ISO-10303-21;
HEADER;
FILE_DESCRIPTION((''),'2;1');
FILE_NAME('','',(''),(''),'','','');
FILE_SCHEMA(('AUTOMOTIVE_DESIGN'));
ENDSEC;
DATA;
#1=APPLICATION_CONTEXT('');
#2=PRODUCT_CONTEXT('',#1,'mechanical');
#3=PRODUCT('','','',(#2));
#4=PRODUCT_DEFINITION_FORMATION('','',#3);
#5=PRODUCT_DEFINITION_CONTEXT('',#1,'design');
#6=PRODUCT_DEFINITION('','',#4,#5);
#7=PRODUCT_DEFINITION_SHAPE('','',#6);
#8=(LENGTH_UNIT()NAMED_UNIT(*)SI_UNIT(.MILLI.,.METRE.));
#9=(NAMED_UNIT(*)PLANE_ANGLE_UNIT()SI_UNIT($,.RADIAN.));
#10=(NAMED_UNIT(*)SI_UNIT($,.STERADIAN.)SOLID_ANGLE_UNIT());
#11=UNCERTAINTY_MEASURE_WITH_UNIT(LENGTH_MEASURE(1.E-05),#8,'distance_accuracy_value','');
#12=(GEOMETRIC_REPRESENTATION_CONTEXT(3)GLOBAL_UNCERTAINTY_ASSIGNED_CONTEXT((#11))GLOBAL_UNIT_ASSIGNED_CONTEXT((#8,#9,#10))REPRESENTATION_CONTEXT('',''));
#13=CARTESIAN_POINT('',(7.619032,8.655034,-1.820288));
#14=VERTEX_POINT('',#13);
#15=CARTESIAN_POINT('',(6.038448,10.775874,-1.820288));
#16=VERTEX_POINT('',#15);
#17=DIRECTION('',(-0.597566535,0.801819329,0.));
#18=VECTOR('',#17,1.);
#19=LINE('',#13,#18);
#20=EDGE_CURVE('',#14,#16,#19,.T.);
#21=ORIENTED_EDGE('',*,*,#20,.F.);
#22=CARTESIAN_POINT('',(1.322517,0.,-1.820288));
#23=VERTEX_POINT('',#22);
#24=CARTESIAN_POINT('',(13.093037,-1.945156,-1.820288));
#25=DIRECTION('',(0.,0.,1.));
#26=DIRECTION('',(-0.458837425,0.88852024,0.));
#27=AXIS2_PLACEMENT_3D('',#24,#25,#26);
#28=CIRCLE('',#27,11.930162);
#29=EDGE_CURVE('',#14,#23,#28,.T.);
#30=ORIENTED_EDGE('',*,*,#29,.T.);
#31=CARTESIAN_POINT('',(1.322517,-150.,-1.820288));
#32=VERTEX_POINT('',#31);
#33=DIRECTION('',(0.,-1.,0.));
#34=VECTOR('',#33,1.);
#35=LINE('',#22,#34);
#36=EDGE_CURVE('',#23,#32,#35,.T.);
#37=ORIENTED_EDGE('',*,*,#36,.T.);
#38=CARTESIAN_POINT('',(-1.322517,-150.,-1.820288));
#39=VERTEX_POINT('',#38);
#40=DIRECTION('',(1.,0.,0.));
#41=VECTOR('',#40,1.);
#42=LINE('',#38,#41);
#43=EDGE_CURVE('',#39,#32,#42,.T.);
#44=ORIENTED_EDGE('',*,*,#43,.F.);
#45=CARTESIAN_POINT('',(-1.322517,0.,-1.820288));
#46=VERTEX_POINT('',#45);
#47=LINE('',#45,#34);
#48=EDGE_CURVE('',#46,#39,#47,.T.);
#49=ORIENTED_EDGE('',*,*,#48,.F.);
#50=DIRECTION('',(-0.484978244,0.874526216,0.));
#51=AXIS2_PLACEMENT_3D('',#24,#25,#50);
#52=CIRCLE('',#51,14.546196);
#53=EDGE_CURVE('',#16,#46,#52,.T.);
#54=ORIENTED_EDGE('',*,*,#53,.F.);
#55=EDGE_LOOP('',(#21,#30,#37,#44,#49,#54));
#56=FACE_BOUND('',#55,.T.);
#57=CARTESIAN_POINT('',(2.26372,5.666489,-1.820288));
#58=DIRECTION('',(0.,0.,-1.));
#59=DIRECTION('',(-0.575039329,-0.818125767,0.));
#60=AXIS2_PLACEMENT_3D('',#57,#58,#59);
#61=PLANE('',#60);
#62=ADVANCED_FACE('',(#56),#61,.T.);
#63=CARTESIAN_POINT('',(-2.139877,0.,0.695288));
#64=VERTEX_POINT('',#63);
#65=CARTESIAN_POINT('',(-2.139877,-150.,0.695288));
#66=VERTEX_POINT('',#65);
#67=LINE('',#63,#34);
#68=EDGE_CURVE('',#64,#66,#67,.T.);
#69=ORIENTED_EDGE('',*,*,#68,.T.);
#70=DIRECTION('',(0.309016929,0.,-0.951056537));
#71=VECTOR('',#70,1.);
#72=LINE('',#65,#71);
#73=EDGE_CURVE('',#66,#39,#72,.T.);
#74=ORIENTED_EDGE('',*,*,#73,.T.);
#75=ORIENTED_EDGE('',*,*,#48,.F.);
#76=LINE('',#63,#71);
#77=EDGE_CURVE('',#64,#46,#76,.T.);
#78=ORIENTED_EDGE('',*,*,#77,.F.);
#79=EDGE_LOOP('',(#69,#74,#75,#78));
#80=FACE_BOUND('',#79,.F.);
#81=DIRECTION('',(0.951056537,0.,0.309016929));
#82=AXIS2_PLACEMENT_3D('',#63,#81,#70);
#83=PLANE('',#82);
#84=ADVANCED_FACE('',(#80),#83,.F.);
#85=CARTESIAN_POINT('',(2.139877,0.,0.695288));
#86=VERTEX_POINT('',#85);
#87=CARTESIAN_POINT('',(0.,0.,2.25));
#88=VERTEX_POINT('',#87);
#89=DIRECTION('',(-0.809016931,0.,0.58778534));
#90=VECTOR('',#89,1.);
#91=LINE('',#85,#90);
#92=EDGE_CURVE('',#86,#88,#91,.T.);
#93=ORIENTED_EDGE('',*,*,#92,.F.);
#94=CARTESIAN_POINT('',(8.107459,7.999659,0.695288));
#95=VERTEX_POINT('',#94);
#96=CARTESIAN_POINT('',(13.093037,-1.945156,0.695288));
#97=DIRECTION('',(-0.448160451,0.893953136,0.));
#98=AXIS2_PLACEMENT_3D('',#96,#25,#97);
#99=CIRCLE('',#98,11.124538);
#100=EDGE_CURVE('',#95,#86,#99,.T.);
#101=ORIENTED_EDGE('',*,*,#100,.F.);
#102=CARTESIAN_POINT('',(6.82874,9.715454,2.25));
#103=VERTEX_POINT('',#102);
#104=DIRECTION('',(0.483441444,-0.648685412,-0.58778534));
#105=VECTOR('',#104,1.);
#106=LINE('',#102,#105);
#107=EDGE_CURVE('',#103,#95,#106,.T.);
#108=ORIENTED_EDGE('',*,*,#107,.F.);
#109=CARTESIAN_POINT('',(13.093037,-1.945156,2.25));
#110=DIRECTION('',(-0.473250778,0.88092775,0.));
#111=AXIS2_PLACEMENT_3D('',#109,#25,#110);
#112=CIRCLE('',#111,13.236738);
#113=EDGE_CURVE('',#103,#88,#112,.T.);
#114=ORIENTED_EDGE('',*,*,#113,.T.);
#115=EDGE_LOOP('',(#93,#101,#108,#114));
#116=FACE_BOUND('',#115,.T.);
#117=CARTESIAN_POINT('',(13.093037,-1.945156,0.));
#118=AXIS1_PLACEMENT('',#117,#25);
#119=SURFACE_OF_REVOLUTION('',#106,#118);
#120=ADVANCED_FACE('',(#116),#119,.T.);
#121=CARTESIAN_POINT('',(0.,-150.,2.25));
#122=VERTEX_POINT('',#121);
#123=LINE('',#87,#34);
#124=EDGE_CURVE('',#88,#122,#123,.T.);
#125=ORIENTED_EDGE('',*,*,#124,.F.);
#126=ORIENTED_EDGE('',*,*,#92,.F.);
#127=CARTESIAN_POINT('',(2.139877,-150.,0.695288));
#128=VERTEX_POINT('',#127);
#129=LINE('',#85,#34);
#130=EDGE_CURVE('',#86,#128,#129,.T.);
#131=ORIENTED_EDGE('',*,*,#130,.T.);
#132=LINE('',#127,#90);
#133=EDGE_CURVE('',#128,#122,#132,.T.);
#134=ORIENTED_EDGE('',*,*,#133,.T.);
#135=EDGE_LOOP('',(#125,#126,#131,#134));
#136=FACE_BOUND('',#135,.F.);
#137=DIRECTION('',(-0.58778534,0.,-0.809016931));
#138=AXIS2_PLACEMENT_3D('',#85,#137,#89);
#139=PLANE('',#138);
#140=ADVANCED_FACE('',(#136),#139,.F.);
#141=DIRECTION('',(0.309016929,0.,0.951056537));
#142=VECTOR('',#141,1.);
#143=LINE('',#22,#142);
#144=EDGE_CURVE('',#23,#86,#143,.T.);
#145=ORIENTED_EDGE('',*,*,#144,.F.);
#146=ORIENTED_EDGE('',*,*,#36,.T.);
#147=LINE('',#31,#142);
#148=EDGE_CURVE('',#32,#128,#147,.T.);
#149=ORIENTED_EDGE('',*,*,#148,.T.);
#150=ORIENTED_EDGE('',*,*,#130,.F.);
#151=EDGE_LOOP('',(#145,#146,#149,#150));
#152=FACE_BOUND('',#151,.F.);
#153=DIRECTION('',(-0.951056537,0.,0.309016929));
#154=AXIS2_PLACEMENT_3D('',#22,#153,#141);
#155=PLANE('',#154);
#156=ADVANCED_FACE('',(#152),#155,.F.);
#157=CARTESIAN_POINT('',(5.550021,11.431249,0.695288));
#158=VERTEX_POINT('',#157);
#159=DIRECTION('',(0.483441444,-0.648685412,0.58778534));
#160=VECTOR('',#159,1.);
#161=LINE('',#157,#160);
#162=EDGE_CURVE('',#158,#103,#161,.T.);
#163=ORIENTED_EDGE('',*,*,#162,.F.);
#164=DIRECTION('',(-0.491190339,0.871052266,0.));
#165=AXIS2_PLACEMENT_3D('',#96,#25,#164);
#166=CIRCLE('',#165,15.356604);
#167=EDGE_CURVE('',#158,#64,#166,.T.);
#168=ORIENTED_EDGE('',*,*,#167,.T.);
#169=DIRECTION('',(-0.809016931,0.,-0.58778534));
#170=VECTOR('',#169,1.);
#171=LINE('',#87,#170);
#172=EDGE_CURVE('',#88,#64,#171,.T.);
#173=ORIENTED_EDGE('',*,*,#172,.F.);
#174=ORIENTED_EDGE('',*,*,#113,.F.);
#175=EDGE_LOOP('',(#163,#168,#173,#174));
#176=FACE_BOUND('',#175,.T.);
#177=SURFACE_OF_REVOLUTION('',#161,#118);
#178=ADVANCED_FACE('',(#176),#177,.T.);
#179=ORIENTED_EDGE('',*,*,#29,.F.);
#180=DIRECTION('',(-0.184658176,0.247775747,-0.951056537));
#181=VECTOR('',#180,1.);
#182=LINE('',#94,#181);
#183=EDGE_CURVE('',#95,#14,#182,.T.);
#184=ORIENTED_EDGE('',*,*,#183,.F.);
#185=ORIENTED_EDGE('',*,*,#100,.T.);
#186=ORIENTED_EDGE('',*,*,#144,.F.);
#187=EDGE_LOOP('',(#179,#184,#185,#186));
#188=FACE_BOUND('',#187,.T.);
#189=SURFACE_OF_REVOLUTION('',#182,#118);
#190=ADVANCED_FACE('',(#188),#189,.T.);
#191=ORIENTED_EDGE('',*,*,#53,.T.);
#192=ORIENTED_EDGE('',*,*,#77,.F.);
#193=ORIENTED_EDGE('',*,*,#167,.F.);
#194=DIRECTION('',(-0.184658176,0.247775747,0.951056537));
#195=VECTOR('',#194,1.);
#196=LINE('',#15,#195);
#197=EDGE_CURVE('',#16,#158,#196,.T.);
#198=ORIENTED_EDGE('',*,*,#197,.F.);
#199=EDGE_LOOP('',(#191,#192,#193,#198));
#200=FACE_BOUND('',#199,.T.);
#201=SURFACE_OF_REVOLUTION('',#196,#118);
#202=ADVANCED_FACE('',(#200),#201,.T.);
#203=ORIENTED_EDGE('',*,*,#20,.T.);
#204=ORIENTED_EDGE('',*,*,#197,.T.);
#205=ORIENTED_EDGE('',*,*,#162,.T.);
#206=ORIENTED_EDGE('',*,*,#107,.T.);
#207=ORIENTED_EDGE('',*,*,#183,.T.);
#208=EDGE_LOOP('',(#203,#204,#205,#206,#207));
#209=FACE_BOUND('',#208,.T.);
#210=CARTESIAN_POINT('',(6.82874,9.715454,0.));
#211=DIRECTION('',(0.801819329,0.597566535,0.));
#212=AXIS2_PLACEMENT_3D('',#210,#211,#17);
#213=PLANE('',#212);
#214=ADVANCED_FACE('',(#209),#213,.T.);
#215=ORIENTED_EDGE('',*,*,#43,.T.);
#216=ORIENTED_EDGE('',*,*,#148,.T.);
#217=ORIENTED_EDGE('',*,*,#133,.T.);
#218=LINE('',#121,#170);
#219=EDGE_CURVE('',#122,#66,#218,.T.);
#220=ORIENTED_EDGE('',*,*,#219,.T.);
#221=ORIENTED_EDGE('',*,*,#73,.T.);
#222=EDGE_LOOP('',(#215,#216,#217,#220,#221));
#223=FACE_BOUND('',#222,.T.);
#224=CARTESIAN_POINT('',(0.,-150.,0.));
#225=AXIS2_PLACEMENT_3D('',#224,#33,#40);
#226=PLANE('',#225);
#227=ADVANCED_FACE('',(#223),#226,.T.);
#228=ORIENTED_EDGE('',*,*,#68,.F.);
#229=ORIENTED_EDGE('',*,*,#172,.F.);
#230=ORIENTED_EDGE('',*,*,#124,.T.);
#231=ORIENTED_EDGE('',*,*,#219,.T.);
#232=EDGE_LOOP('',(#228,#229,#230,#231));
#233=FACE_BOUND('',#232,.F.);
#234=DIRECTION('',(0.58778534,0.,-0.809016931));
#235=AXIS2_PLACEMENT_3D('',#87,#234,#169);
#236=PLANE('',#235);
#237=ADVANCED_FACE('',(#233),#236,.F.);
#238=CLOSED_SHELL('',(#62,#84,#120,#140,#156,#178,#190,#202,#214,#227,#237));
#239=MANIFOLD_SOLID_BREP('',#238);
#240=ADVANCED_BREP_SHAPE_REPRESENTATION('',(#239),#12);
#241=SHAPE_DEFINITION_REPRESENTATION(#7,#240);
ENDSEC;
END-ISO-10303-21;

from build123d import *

# Parameters (mm, degrees)
F1_DEPTH = 150


with BuildPart() as f1:
    # F0 (on Front) → F1 (new body)
    with BuildSketch(Plane.XZ):
        Polygon((2.139877, 0.695288), (0, 2.25), (-2.139877, 0.695288), (-1.322517, -1.820288), (1.322517, -1.820288), align=None)
    extrude(amount=F1_DEPTH)

    # F3: sweep along a path in F2
    with BuildLine(Plane.XY) as f3_path:
        ThreePointArc((6.82874, 9.715454), (2.26372, 5.666489), (0, 0))
    # F1_face (on face) → F3 (sweep)
    with BuildSketch(Plane(origin=(0, 0, 0), x_dir=(1, 0, 0), z_dir=(0, 1, 0))):
        Polygon((0, -2.25), (2.139877, -0.695288), (1.322517, 1.820288), (-1.322517, 1.820288), (-2.139877, -0.695288), align=None)
    sweep(path=f3_path.line)


solid = f1.part
